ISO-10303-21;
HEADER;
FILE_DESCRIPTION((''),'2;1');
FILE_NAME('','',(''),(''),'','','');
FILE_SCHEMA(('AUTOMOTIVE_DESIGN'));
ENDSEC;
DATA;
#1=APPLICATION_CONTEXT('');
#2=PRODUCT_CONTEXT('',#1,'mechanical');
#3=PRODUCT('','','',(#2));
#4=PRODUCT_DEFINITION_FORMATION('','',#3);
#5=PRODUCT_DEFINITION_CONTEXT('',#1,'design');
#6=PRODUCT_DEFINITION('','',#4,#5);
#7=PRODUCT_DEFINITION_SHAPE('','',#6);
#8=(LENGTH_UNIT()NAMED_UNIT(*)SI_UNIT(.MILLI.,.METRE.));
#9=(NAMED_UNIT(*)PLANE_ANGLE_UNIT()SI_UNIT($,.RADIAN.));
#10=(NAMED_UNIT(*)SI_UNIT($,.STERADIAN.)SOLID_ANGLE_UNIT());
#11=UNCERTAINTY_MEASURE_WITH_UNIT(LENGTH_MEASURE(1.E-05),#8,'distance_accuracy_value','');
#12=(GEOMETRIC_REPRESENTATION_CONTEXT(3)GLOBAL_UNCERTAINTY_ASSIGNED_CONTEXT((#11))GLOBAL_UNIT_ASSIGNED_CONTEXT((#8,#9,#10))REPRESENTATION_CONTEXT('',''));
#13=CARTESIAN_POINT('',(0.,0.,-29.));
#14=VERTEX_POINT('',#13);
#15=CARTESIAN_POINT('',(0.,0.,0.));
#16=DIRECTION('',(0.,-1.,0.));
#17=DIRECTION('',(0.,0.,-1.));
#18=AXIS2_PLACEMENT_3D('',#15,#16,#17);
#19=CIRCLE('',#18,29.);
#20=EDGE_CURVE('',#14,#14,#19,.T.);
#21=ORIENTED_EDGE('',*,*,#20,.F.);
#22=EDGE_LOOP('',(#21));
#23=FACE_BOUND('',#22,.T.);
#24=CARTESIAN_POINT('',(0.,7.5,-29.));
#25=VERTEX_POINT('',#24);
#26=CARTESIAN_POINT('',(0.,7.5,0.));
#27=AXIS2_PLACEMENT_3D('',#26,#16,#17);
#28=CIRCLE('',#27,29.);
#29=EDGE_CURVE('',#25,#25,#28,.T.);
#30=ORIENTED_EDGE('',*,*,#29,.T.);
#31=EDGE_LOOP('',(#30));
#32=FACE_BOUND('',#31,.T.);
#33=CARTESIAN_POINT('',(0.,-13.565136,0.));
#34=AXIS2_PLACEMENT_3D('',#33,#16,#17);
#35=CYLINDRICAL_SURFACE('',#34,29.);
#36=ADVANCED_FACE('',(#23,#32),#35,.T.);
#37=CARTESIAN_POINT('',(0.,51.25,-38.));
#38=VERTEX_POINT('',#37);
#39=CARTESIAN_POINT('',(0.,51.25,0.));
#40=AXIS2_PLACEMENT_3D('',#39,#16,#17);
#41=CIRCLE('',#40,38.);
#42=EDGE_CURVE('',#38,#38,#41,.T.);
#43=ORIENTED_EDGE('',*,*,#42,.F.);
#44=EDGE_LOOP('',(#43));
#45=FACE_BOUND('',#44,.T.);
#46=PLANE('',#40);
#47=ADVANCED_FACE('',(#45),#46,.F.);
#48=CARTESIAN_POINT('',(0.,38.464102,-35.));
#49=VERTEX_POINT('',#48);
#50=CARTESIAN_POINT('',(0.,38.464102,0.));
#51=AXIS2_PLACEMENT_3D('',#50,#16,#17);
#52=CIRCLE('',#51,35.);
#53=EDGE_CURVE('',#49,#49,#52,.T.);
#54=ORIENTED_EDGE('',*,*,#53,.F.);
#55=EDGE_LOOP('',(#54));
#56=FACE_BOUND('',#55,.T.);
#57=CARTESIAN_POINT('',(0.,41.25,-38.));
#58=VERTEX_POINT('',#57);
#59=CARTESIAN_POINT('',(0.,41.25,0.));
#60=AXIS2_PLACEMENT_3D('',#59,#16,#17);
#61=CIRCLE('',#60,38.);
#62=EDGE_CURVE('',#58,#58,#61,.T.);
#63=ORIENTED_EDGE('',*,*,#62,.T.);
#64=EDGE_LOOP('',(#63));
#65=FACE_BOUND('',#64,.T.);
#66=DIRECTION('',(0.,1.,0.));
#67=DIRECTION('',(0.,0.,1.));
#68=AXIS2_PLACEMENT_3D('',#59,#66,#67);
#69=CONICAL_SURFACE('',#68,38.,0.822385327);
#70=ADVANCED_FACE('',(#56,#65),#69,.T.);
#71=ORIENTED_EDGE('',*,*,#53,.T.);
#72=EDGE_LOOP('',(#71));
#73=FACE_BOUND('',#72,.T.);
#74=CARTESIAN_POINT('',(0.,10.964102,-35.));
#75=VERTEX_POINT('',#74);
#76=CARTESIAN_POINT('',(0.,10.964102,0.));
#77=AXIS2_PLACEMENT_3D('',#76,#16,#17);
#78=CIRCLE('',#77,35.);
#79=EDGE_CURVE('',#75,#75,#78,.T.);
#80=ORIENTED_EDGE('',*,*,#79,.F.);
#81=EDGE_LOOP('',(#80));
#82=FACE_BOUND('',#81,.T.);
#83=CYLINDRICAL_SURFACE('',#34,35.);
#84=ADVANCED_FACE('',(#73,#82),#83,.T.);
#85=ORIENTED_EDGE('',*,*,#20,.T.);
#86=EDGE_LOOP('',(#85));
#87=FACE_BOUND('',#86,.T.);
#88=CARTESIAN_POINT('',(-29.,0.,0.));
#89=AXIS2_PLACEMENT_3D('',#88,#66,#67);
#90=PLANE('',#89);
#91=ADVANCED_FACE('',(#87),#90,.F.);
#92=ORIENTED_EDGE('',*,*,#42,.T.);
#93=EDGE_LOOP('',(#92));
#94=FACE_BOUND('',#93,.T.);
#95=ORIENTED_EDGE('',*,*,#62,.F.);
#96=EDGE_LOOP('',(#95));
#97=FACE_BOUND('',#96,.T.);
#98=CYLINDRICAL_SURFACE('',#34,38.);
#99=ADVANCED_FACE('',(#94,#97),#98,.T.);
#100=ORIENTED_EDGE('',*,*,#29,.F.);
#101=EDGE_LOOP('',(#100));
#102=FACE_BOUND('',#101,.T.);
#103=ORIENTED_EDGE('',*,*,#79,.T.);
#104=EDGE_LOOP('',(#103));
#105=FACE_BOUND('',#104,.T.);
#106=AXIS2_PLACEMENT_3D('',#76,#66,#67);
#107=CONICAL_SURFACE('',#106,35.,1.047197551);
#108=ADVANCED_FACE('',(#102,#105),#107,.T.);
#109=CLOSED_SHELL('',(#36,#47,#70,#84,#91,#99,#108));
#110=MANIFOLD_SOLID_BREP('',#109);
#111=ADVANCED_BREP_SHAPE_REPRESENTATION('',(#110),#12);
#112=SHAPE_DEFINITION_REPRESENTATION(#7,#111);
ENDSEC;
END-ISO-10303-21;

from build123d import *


with BuildPart() as part:
    # Sketch1 → Revolve1 (revolve)
    with BuildSketch(Plane.XY, mode=Mode.PRIVATE) as revolve1_sk:
        Polygon((-29, 0), (0, 0), (0, 51.25), (-38, 51.25), (-38, 41.25), (-35, 38.464101615), (-35, 10.964101615), (-29, 7.5), align=None)
    revolve(revolve1_sk.sketch.rotate(Axis((0, -13.565135504, 0), (0, 1, 0)), 270), axis=Axis((0, -13.565135504, 0), (0, 1, 0)))


solid = part.part
